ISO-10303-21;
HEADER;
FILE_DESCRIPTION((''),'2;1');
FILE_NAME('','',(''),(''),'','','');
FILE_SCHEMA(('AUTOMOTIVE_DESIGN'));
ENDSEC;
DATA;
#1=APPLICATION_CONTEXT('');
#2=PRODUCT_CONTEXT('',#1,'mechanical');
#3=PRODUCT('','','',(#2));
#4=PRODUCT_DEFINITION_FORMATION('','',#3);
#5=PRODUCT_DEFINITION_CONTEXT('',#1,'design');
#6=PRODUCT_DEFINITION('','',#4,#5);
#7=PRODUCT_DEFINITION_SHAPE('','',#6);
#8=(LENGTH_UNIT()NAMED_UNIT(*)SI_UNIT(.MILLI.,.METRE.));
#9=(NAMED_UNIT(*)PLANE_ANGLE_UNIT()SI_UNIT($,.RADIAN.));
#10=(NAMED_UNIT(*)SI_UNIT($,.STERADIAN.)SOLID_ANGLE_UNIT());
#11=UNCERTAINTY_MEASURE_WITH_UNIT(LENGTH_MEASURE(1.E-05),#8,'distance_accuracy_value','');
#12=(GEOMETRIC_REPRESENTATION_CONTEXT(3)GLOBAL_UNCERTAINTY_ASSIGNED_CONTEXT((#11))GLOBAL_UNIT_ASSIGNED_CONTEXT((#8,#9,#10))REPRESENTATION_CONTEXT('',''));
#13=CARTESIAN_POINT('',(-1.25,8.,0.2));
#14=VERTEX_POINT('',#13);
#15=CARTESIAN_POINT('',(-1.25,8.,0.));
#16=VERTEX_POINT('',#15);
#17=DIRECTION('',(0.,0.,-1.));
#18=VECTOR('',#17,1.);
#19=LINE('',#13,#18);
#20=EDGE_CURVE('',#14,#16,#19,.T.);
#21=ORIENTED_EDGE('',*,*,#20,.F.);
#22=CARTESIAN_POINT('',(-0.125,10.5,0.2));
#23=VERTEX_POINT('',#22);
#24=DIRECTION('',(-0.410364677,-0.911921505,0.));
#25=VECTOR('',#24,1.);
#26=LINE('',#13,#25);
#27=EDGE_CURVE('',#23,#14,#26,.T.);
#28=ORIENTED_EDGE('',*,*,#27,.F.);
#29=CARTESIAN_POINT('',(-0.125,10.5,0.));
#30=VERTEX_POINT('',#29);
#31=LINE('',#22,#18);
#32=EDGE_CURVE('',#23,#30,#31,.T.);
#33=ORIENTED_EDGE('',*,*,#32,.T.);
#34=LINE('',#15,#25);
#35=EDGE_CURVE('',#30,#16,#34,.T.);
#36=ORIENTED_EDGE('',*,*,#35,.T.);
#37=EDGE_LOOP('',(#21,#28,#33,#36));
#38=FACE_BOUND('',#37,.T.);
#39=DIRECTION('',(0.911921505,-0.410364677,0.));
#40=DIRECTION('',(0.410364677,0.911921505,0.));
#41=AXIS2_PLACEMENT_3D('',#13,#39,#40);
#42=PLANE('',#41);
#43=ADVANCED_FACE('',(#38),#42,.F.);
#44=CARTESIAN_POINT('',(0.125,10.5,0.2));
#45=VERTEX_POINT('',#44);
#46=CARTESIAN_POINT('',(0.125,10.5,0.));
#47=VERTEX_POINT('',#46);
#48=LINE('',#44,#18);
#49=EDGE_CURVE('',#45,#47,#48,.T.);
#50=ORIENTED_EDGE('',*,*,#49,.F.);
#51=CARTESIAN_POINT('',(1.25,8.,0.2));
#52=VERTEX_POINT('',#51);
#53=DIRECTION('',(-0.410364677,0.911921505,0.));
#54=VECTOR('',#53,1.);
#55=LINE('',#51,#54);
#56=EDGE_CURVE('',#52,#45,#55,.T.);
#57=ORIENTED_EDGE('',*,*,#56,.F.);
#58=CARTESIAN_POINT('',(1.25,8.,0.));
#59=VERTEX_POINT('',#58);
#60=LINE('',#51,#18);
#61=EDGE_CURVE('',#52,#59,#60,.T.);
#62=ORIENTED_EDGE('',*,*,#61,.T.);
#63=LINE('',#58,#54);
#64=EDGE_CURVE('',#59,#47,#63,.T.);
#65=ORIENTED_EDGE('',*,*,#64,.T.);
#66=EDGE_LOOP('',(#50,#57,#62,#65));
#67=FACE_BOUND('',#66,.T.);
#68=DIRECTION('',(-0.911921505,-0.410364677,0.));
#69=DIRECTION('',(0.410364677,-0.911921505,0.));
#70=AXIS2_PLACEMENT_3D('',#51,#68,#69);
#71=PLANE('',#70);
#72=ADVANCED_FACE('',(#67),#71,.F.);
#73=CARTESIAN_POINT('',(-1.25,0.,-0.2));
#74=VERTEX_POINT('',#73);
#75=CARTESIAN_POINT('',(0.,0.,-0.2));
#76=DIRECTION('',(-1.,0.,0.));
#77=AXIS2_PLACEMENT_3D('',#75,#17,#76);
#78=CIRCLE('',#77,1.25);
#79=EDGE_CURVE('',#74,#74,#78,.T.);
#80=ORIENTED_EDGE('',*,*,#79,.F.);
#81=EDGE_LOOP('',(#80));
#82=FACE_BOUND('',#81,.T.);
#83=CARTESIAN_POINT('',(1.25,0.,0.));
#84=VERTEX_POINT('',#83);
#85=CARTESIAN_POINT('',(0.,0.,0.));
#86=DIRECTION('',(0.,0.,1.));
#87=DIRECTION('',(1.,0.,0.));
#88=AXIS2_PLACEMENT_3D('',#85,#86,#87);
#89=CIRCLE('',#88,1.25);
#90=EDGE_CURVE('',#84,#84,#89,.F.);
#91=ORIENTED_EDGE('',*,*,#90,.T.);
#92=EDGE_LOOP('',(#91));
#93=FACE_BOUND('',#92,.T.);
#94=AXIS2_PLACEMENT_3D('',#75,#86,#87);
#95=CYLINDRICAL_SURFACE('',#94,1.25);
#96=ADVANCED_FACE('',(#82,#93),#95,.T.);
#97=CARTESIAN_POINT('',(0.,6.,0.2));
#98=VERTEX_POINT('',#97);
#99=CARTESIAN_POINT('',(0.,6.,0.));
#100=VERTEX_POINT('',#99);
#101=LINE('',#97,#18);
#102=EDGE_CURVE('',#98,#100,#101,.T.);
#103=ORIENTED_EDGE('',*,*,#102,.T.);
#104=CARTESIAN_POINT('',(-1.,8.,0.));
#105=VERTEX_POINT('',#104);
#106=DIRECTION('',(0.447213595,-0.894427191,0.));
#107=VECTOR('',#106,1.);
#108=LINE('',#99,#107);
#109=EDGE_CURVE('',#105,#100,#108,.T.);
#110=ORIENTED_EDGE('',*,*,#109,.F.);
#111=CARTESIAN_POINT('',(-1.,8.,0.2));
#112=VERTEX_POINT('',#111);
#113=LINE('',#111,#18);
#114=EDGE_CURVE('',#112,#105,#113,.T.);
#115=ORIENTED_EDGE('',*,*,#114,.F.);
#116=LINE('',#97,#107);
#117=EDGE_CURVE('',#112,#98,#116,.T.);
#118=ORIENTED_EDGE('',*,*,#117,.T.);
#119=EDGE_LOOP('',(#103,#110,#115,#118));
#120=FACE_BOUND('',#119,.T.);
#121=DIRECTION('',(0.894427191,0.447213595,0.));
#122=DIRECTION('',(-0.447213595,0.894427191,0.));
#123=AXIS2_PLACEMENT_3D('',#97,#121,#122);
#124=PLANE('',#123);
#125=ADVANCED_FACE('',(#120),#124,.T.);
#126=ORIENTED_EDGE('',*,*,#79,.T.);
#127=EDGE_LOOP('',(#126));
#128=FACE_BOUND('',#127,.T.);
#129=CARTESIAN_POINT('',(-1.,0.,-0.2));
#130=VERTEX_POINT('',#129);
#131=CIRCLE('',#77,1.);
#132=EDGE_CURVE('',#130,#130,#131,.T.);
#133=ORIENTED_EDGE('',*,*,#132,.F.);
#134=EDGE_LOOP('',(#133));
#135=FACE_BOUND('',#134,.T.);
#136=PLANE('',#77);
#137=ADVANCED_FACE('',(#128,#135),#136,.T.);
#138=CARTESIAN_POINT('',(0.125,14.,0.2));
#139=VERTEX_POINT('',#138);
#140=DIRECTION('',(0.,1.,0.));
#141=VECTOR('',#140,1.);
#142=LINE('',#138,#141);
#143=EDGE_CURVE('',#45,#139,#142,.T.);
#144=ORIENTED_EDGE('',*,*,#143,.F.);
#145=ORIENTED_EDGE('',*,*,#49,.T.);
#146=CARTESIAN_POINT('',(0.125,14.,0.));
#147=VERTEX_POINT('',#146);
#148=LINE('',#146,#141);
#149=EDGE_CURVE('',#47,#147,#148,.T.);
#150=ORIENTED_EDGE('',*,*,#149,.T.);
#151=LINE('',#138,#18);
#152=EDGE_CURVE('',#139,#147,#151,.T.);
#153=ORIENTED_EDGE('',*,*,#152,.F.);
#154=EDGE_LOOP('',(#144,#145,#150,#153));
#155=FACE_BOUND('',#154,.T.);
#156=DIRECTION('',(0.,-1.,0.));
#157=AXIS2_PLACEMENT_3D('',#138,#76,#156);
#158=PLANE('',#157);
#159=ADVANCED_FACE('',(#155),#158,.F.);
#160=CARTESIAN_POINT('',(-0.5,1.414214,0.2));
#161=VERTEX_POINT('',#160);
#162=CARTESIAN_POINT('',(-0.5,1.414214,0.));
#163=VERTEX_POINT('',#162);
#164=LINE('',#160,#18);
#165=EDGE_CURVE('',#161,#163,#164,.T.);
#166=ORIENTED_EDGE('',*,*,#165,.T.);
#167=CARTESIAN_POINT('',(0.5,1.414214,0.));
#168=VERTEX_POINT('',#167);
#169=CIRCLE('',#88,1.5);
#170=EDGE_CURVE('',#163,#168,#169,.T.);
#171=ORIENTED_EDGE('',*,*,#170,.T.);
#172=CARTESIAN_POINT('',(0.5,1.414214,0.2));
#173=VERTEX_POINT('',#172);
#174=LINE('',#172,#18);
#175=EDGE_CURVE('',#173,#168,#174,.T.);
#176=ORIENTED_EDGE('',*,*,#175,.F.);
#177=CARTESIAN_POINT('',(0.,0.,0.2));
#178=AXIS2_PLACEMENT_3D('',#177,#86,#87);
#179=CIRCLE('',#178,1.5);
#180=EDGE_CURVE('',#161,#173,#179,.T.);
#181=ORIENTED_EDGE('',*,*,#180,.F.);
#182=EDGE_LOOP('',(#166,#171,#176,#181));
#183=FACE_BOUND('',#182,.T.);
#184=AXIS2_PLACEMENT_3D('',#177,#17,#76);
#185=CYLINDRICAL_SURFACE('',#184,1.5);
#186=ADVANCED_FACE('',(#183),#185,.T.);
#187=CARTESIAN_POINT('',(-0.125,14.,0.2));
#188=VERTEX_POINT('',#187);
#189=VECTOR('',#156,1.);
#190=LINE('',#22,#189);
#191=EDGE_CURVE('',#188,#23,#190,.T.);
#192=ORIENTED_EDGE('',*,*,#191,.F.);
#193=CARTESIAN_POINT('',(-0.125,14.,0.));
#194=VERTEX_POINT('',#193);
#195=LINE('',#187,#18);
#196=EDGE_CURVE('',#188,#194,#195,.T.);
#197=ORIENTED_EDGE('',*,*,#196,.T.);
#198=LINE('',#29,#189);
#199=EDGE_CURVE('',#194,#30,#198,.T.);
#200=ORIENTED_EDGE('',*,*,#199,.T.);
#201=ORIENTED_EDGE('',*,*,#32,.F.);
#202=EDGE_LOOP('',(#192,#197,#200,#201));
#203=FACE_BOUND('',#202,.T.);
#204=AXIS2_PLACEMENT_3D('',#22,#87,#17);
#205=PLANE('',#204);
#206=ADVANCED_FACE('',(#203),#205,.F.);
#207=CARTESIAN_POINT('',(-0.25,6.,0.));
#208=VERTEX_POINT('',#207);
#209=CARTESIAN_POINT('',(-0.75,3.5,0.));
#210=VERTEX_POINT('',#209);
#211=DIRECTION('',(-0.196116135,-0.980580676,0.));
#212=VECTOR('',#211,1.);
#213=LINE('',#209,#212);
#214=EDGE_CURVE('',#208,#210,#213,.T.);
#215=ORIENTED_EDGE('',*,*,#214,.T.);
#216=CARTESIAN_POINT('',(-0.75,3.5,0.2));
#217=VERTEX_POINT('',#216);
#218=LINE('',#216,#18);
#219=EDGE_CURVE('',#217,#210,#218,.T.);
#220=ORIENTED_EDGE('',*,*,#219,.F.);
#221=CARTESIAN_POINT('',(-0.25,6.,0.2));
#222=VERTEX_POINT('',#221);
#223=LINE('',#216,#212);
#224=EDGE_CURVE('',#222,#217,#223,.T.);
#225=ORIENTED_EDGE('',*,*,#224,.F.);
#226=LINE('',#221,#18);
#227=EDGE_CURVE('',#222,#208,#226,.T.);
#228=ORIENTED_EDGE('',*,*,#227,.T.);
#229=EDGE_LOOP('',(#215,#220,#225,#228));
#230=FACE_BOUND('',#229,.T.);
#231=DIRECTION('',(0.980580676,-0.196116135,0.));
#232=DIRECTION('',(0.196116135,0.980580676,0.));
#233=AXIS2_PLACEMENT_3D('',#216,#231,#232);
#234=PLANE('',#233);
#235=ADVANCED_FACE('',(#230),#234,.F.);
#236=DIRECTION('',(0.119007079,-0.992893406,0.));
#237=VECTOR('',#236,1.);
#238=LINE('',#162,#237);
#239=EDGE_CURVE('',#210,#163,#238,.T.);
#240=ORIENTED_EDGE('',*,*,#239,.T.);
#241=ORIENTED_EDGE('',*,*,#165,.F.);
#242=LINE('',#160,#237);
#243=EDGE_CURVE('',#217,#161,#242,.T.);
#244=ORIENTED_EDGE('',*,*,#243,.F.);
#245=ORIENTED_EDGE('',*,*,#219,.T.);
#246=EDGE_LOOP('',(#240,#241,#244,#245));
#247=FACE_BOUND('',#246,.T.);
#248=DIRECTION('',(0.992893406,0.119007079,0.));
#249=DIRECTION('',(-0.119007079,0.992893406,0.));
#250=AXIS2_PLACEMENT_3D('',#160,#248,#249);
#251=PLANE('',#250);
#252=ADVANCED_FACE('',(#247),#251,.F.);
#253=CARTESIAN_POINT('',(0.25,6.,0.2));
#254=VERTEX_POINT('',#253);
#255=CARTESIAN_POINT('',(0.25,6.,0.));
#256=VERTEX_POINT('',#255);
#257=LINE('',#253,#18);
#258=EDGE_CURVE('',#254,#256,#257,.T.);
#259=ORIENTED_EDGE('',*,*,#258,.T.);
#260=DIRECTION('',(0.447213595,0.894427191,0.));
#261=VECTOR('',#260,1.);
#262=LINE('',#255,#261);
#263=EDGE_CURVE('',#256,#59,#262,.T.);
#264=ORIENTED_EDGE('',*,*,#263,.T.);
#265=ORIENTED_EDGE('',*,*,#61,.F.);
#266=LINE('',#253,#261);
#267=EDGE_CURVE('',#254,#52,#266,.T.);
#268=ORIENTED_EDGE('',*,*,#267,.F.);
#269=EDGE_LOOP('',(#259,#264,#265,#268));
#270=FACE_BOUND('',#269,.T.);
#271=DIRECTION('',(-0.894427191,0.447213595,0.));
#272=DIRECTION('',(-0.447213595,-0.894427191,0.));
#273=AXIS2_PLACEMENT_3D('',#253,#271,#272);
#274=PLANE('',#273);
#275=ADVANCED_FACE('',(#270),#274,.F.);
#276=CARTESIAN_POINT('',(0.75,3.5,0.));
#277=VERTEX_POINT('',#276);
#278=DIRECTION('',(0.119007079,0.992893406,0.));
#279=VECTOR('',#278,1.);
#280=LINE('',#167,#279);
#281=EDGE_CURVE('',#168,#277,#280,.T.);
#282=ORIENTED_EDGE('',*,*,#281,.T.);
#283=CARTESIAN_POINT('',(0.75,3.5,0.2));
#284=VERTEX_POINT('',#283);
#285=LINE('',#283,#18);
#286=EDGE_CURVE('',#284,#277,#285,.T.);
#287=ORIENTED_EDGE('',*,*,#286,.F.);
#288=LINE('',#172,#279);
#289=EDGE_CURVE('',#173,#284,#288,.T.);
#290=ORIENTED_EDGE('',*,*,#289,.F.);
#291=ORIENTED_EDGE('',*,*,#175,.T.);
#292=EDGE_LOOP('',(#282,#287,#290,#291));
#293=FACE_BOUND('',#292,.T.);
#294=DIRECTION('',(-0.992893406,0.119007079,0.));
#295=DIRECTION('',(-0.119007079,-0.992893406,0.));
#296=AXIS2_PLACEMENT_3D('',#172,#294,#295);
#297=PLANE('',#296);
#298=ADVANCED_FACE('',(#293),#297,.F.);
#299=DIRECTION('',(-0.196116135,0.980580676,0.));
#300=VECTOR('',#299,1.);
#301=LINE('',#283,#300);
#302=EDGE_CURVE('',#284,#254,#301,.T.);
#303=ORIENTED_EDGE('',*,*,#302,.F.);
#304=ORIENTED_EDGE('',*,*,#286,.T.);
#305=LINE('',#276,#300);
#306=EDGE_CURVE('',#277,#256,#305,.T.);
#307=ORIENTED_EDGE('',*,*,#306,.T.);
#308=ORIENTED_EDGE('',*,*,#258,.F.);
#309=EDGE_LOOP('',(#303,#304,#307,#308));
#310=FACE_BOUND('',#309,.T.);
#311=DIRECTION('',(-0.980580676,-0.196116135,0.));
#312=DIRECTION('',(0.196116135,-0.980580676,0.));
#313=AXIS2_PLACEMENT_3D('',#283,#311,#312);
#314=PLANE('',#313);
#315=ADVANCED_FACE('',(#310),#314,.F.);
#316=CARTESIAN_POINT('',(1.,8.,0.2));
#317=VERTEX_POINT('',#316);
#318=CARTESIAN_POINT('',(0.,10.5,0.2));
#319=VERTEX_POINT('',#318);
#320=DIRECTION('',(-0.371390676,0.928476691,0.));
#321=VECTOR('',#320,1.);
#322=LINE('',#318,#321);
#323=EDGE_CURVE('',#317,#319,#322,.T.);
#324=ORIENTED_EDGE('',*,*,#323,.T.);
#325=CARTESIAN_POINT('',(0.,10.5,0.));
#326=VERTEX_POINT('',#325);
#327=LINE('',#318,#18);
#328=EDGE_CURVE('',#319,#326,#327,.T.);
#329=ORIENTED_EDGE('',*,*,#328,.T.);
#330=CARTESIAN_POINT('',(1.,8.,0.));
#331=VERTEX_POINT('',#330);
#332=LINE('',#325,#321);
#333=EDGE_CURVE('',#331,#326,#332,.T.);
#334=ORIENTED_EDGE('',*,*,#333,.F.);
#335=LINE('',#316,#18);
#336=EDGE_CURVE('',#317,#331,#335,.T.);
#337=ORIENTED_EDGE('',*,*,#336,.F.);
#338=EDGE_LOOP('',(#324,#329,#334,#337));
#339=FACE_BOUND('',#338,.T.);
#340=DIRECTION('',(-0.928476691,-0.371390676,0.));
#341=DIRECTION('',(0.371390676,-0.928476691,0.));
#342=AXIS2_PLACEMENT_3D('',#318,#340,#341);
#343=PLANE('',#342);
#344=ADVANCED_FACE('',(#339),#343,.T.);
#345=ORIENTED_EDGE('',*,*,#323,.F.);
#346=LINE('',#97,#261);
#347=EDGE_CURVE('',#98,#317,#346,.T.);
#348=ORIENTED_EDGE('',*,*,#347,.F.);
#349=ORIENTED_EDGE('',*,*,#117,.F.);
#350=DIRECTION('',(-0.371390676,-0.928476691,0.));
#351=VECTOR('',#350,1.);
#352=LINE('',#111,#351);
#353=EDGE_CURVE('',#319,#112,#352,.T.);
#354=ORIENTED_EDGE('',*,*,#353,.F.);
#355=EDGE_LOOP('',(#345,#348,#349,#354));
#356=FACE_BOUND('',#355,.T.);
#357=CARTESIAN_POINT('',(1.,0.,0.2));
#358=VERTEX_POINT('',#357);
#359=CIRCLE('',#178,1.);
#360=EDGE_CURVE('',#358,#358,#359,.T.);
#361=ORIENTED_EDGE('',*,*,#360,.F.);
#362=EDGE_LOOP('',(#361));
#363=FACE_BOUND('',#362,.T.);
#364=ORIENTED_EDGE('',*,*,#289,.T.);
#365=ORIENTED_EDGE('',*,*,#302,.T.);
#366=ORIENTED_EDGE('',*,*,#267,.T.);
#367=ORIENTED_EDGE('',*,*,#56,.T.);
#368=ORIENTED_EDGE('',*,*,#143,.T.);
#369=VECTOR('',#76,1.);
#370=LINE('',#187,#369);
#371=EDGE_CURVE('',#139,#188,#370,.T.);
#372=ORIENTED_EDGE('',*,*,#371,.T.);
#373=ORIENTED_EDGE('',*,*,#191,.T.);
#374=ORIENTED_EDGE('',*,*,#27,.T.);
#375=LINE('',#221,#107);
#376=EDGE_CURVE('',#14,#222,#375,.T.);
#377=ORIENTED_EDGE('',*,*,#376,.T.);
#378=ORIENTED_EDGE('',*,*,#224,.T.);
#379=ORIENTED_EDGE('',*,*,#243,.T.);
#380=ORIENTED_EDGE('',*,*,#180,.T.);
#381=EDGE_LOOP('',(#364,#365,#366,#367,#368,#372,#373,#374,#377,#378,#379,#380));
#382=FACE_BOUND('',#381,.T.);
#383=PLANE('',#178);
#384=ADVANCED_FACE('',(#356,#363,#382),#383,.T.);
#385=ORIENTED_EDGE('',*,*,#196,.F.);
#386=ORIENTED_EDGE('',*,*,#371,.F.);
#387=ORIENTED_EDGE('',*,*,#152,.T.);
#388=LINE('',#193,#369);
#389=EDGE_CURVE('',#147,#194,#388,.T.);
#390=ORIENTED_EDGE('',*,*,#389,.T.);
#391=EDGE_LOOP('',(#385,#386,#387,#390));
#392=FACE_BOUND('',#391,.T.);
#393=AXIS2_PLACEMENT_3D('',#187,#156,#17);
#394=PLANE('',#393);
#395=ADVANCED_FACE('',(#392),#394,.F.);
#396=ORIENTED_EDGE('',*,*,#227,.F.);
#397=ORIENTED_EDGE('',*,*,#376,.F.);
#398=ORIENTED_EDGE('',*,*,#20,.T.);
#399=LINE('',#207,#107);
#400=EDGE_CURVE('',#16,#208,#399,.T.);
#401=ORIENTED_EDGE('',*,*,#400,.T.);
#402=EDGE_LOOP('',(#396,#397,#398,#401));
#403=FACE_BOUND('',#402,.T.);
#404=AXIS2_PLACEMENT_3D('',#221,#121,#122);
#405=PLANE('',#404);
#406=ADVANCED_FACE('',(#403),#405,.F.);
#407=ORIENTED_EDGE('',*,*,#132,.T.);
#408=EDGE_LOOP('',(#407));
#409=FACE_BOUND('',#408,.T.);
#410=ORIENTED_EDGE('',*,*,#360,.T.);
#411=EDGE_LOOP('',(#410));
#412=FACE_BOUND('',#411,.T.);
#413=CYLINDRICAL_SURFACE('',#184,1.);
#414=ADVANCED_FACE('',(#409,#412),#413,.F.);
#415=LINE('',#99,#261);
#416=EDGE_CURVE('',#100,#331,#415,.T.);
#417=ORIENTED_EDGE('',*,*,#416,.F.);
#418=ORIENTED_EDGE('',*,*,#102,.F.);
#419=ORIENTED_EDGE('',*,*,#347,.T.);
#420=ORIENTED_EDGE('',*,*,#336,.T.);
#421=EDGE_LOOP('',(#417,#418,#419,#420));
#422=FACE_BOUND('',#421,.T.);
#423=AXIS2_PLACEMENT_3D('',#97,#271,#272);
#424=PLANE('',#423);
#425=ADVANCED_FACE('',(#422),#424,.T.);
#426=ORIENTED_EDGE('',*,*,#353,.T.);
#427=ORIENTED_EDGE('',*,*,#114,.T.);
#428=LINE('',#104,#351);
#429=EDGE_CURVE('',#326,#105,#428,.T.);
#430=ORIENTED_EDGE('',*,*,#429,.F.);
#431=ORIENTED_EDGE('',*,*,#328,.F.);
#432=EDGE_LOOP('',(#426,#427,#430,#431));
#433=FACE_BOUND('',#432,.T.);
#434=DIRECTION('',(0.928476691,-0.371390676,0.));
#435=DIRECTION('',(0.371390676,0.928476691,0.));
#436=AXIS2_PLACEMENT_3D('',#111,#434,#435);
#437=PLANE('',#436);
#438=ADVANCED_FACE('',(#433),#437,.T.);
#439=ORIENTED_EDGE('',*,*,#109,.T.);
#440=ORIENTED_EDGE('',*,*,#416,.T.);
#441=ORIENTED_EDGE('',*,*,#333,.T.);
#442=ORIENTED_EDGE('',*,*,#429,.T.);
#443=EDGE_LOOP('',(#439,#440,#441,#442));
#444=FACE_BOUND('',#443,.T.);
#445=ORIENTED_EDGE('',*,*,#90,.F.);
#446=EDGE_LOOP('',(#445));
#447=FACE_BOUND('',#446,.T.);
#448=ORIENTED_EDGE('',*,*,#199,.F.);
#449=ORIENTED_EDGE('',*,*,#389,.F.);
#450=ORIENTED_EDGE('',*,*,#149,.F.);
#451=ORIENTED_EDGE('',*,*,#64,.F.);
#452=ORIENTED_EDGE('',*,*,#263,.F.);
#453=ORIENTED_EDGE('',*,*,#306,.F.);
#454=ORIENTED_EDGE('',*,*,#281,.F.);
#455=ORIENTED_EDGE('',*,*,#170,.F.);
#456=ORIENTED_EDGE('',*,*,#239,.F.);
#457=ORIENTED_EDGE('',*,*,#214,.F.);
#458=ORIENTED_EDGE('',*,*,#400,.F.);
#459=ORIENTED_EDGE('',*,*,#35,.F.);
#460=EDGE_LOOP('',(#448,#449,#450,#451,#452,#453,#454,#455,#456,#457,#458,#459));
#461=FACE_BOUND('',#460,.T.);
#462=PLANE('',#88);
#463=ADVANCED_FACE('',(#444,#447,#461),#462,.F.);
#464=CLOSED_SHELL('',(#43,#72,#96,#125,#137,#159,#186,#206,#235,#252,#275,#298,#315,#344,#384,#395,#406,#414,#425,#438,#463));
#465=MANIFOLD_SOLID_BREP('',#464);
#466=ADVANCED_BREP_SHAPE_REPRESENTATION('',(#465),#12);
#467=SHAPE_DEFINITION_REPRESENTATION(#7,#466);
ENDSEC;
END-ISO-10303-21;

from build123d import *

# Parameters (mm, degrees)
CROQUIS1_R              = 1
SALIENTE_EXTRUIR1_DEPTH = 0.2
CROQUIS2_R              = 1.25
CROQUIS2_R_2            = 1
SALIENTE_EXTRUIR2_DEPTH = 0.2


with BuildPart() as part:
    # Croquis1 → Saliente-Extruir1 (new body)
    with BuildSketch(Plane.XY):
        with BuildLine():
            Line((0.5, 1.414213562), (0.75, 3.5))
            Line((0.75, 3.5), (0.25, 6))
            Line((0.25, 6), (1.25, 8))
            Line((1.25, 8), (0.125, 10.5))
            Line((0.125, 10.5), (0.125, 14))
            Line((0.125, 14), (-0.125, 14))
            Line((-0.125, 14), (-0.125, 10.5))
            Line((-0.125, 10.5), (-1.25, 8))
            Line((-1.25, 8), (-0.25, 6))
            Line((-0.25, 6), (-0.75, 3.5))
            Line((-0.75, 3.5), (-0.5, 1.414213562))
            ThreePointArc((-0.5, 1.414213562), (0, -1.5), (0.5, 1.414213562))
        make_face()
        Circle(CROQUIS1_R, mode=Mode.SUBTRACT)
        Polygon((0, 6), (1, 8), (0, 10.5), (-1, 8), align=None, mode=Mode.SUBTRACT)
    extrude(amount=SALIENTE_EXTRUIR1_DEPTH)

    # Croquis2 → Saliente-Extruir2 (add)
    with BuildSketch(Plane(origin=(0, 0, 0), x_dir=(-1, 0, 0), z_dir=(0, 0, -1))):
        Circle(CROQUIS2_R)
        Circle(CROQUIS2_R_2, mode=Mode.SUBTRACT)
    extrude(amount=SALIENTE_EXTRUIR2_DEPTH)


solid = part.part
